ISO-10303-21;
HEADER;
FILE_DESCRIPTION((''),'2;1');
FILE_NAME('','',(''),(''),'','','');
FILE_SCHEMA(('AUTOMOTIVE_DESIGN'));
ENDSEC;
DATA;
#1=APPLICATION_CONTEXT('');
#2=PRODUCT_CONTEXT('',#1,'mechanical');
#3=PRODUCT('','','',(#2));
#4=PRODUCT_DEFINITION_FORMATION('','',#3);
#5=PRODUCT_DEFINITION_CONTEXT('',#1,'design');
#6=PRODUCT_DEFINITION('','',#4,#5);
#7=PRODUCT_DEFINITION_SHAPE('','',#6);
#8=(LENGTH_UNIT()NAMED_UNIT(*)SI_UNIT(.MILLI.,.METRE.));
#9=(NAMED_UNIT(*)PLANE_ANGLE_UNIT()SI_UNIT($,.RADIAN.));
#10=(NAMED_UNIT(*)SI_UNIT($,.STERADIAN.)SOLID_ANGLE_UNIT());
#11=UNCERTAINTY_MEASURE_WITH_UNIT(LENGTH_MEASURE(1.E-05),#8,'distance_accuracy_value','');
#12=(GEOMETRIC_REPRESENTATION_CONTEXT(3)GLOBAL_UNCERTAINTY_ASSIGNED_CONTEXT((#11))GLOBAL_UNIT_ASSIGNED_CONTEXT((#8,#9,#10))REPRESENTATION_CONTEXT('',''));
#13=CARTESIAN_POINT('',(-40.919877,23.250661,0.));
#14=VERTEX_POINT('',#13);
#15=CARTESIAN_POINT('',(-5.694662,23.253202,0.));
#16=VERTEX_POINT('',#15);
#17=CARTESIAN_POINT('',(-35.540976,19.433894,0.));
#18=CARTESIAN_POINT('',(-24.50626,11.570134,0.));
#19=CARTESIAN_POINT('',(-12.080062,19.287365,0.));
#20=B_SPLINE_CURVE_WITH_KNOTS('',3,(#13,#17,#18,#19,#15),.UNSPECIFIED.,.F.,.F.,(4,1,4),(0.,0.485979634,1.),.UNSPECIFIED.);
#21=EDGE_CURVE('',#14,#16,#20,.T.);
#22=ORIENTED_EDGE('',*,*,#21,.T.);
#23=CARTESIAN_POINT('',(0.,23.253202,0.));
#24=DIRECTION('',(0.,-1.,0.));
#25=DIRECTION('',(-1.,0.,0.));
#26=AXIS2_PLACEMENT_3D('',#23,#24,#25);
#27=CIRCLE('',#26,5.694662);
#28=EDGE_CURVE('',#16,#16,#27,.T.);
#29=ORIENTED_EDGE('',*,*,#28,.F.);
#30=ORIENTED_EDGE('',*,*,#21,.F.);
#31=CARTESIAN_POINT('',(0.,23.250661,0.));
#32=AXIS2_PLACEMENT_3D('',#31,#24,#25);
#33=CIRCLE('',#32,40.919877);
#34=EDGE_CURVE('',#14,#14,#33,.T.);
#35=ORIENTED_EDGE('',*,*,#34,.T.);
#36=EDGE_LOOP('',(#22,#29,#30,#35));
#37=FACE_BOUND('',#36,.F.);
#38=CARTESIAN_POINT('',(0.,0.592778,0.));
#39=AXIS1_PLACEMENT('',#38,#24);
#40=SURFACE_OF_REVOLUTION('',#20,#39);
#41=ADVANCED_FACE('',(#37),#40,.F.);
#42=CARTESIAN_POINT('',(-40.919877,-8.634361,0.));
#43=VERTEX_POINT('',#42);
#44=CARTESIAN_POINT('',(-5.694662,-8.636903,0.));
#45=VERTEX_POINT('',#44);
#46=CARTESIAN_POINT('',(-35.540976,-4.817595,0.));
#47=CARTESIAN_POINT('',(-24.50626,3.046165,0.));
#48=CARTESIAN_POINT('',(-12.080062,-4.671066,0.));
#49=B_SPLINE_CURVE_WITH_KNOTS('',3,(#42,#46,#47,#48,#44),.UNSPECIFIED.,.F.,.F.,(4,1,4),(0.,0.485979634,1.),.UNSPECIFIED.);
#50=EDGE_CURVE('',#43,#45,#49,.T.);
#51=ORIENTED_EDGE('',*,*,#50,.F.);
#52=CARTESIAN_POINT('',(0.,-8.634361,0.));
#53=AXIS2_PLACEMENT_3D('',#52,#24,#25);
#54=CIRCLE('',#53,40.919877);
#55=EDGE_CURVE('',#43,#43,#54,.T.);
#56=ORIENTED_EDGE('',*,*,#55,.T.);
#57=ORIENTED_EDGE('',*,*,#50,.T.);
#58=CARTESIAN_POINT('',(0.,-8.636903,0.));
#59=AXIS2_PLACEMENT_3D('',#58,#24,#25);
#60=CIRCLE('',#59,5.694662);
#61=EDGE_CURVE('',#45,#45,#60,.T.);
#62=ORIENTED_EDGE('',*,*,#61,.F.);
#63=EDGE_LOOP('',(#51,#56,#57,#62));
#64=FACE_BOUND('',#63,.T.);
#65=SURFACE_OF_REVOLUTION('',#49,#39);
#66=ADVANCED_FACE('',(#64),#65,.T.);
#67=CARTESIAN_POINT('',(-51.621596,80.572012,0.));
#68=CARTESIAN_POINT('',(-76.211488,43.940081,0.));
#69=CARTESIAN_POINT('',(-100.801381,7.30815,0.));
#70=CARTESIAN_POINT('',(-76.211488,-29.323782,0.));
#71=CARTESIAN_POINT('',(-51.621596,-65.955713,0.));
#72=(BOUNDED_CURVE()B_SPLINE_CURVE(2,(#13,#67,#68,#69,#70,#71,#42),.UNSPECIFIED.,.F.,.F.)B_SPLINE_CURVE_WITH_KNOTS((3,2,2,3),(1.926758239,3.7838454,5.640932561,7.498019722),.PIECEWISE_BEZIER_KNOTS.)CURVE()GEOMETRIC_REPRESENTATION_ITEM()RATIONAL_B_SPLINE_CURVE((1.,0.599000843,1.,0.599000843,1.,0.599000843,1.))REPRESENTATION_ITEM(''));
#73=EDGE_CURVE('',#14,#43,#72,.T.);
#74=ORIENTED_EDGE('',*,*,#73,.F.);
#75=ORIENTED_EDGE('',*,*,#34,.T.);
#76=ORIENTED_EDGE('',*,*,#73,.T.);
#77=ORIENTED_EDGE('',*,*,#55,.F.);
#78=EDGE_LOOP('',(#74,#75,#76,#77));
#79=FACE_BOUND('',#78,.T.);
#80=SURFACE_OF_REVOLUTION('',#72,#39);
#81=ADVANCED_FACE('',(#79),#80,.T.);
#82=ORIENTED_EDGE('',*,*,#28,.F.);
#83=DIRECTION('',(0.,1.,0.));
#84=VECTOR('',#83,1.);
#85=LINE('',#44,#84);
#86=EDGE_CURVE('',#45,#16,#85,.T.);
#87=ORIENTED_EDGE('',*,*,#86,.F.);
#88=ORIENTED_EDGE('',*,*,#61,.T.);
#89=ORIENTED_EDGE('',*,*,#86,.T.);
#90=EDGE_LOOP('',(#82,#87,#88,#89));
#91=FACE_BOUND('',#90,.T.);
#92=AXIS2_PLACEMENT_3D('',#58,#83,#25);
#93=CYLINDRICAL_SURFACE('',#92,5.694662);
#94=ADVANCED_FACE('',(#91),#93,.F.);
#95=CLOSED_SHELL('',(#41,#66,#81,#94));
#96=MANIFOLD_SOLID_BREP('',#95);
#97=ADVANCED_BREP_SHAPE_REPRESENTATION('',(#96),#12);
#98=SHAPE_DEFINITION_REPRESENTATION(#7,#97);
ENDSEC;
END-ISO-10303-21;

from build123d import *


with BuildPart() as f1:
    # F0 (on Top) → F1 (revolve)
    with BuildSketch(Plane.XY):
        with BuildLine():
            add(Edge.make_bspline(
                [(-40.9198767977, 23.2506606699), (-35.5409761381, 19.4338943046), (-24.5062598559, 11.5701343247), (-12.0800619304, 19.2873651024), (-5.6946617551, 23.2532024384)],
                knots=[0, 0, 0, 0, 0.485979634, 1, 1, 1, 1], degree=3))
            add(Edge.make_bspline(
                [(-40.9198767977, 23.2506606699), (-51.6215957372, 80.5720123615), (-76.2114883993, 43.9400810359), (-100.8013810613, 7.3081497103), (-76.2114883993, -29.3237816153), (-51.6215957372, -65.9557129409), (-40.9198767977, -8.6343612493)],
                knots=[1.9267582386, 1.9267582386, 1.9267582386, 3.7838453998, 3.7838453998, 5.640932561, 5.640932561, 7.4980197222, 7.4980197222, 7.4980197222], degree=2, weights=[1, 0.5990008426, 1, 0.5990008426, 1, 0.5990008426, 1]))
            add(Edge.make_bspline(
                [(-40.9198767977, -8.6343612493), (-35.5409761381, -4.817594884), (-24.5062598559, 3.0461650959), (-12.0800619304, -4.6710656818), (-5.6946617551, -8.6369030178)],
                knots=[0, 0, 0, 0, 0.485979634, 1, 1, 1, 1], degree=3))
            Line((-5.6946617551, -8.6369030178), (-5.6946617551, 23.2532024384))
        make_face()
    revolve(axis=Axis((0, 0.5927784368, 0), (0, -1, 0)))


solid = f1.part
